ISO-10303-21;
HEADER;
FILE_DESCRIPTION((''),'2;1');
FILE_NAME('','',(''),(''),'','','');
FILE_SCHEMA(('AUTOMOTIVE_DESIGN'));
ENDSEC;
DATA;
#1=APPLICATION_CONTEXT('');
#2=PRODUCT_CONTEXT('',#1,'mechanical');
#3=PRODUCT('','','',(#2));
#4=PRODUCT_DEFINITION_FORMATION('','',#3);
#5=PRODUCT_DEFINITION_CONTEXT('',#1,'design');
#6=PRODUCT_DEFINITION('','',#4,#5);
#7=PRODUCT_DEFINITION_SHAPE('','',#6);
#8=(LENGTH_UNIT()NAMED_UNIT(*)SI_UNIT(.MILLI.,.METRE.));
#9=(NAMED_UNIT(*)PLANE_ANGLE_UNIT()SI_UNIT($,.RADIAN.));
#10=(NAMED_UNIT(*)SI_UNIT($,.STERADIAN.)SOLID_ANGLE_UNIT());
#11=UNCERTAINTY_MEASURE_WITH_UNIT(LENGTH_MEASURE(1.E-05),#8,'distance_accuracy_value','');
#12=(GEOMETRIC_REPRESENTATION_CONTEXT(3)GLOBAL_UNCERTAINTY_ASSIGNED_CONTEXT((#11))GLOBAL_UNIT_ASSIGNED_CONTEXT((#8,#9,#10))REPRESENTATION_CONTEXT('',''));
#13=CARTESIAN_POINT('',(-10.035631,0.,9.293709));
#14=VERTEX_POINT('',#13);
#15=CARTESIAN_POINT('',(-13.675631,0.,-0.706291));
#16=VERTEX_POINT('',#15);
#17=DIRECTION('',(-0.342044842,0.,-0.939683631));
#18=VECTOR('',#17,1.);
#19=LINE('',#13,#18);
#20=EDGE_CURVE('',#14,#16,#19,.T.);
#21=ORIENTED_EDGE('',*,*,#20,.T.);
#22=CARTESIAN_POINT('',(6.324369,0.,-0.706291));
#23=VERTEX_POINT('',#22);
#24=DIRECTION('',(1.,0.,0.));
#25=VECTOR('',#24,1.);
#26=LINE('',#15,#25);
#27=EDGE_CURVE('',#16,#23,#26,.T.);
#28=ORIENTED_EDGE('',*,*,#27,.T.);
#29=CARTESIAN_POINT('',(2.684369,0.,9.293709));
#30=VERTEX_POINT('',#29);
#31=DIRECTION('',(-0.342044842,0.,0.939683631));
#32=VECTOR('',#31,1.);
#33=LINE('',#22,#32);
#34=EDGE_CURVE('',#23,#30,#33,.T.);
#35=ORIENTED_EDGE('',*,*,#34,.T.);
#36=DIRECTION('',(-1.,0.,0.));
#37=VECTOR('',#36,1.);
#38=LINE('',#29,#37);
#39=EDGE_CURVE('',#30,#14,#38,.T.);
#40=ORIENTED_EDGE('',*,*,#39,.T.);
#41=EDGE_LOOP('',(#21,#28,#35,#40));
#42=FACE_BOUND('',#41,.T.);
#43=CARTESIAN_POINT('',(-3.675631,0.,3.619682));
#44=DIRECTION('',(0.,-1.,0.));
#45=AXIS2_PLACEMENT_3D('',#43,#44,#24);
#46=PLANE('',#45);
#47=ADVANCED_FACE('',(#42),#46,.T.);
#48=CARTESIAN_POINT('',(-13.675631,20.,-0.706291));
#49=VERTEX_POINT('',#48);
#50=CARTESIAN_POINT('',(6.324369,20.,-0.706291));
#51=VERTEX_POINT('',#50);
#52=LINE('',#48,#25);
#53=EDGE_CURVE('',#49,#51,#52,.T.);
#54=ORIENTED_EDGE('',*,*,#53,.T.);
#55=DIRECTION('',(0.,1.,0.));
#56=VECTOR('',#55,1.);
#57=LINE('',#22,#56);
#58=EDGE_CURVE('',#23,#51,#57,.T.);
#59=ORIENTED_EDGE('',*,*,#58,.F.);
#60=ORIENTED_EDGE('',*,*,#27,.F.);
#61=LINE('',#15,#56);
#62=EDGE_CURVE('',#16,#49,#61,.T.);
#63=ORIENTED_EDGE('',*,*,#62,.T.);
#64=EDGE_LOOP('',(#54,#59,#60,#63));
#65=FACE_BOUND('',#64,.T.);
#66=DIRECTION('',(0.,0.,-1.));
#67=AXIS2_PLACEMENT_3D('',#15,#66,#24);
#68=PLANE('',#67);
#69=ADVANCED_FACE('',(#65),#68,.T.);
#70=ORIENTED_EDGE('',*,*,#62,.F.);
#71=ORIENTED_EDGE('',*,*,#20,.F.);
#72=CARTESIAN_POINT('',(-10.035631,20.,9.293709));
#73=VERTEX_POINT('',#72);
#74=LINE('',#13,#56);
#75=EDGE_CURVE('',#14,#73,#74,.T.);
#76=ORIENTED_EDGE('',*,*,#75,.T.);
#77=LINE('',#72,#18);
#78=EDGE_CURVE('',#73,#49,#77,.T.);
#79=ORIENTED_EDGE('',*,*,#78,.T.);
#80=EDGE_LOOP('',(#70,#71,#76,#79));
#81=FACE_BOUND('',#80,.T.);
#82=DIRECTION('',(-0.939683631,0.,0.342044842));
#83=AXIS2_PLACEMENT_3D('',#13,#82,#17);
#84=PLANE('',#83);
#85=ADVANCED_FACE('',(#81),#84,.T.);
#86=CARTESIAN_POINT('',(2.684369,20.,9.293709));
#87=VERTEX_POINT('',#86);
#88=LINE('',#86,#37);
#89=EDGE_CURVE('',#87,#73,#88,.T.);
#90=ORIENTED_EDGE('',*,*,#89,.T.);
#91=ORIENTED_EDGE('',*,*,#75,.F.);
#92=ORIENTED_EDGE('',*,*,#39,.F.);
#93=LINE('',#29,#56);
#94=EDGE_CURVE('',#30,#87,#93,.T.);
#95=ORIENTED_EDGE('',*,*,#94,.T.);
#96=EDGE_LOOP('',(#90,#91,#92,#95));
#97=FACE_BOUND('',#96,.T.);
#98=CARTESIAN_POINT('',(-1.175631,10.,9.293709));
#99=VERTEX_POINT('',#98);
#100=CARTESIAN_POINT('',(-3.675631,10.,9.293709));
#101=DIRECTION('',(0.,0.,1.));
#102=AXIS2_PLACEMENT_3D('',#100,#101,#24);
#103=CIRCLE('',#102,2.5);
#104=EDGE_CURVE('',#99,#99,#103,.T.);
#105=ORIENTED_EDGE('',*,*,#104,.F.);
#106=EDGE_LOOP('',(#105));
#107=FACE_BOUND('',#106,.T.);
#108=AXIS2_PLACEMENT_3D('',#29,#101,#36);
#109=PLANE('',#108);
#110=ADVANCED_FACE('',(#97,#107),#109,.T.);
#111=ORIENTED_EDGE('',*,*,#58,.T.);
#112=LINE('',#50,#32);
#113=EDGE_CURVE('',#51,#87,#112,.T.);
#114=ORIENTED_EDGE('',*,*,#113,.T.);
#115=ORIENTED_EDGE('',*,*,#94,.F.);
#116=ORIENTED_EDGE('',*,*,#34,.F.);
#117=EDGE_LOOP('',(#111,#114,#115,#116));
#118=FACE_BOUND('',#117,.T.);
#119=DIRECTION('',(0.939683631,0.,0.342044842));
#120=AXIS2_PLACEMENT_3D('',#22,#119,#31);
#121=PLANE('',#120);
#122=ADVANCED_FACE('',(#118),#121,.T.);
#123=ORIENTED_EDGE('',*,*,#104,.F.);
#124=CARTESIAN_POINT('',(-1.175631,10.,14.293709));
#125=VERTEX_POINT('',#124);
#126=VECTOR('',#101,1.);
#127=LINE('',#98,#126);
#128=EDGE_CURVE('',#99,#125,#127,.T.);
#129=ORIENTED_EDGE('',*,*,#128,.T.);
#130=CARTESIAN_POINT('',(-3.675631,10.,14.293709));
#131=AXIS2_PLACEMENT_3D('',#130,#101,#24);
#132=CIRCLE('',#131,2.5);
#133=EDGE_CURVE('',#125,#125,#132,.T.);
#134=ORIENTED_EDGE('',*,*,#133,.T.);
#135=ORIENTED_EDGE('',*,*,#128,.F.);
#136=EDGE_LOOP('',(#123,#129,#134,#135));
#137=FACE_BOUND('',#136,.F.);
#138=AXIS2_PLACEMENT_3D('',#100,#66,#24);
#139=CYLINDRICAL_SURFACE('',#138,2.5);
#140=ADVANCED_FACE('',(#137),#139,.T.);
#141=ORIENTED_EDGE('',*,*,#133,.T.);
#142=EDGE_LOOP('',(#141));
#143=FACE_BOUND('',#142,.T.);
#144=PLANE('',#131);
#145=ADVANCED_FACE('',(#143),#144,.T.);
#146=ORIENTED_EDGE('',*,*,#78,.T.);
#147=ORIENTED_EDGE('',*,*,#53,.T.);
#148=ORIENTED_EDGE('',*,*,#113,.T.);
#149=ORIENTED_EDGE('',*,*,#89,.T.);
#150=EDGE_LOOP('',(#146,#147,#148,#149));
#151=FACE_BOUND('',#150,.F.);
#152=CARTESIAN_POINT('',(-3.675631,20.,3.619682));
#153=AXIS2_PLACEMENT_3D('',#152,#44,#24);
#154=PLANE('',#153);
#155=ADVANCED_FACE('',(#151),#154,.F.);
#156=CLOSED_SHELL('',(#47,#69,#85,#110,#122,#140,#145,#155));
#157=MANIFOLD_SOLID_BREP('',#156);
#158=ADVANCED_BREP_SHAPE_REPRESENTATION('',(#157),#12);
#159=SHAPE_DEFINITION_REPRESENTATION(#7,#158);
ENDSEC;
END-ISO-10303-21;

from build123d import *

# Parameters (mm, degrees)
F1_DEPTH = 20
F2_R     = 2.5
F3_DEPTH = 5


with BuildPart() as f1:
    # F0 (on Front) → F1 (new body)
    with BuildSketch(Plane.XZ):
        Polygon((-10.035631, 9.293709), (-13.675631, -0.706291), (6.324369, -0.706291), (2.684369, 9.293709), align=None)
    extrude(amount=-F1_DEPTH)

    # F2 (on face) → F3 (join)
    with BuildSketch(Plane.XY.offset(9.293709)):
        with Locations((-3.675631, 10)):
            Circle(F2_R)
    extrude(amount=F3_DEPTH)


solid = f1.part
